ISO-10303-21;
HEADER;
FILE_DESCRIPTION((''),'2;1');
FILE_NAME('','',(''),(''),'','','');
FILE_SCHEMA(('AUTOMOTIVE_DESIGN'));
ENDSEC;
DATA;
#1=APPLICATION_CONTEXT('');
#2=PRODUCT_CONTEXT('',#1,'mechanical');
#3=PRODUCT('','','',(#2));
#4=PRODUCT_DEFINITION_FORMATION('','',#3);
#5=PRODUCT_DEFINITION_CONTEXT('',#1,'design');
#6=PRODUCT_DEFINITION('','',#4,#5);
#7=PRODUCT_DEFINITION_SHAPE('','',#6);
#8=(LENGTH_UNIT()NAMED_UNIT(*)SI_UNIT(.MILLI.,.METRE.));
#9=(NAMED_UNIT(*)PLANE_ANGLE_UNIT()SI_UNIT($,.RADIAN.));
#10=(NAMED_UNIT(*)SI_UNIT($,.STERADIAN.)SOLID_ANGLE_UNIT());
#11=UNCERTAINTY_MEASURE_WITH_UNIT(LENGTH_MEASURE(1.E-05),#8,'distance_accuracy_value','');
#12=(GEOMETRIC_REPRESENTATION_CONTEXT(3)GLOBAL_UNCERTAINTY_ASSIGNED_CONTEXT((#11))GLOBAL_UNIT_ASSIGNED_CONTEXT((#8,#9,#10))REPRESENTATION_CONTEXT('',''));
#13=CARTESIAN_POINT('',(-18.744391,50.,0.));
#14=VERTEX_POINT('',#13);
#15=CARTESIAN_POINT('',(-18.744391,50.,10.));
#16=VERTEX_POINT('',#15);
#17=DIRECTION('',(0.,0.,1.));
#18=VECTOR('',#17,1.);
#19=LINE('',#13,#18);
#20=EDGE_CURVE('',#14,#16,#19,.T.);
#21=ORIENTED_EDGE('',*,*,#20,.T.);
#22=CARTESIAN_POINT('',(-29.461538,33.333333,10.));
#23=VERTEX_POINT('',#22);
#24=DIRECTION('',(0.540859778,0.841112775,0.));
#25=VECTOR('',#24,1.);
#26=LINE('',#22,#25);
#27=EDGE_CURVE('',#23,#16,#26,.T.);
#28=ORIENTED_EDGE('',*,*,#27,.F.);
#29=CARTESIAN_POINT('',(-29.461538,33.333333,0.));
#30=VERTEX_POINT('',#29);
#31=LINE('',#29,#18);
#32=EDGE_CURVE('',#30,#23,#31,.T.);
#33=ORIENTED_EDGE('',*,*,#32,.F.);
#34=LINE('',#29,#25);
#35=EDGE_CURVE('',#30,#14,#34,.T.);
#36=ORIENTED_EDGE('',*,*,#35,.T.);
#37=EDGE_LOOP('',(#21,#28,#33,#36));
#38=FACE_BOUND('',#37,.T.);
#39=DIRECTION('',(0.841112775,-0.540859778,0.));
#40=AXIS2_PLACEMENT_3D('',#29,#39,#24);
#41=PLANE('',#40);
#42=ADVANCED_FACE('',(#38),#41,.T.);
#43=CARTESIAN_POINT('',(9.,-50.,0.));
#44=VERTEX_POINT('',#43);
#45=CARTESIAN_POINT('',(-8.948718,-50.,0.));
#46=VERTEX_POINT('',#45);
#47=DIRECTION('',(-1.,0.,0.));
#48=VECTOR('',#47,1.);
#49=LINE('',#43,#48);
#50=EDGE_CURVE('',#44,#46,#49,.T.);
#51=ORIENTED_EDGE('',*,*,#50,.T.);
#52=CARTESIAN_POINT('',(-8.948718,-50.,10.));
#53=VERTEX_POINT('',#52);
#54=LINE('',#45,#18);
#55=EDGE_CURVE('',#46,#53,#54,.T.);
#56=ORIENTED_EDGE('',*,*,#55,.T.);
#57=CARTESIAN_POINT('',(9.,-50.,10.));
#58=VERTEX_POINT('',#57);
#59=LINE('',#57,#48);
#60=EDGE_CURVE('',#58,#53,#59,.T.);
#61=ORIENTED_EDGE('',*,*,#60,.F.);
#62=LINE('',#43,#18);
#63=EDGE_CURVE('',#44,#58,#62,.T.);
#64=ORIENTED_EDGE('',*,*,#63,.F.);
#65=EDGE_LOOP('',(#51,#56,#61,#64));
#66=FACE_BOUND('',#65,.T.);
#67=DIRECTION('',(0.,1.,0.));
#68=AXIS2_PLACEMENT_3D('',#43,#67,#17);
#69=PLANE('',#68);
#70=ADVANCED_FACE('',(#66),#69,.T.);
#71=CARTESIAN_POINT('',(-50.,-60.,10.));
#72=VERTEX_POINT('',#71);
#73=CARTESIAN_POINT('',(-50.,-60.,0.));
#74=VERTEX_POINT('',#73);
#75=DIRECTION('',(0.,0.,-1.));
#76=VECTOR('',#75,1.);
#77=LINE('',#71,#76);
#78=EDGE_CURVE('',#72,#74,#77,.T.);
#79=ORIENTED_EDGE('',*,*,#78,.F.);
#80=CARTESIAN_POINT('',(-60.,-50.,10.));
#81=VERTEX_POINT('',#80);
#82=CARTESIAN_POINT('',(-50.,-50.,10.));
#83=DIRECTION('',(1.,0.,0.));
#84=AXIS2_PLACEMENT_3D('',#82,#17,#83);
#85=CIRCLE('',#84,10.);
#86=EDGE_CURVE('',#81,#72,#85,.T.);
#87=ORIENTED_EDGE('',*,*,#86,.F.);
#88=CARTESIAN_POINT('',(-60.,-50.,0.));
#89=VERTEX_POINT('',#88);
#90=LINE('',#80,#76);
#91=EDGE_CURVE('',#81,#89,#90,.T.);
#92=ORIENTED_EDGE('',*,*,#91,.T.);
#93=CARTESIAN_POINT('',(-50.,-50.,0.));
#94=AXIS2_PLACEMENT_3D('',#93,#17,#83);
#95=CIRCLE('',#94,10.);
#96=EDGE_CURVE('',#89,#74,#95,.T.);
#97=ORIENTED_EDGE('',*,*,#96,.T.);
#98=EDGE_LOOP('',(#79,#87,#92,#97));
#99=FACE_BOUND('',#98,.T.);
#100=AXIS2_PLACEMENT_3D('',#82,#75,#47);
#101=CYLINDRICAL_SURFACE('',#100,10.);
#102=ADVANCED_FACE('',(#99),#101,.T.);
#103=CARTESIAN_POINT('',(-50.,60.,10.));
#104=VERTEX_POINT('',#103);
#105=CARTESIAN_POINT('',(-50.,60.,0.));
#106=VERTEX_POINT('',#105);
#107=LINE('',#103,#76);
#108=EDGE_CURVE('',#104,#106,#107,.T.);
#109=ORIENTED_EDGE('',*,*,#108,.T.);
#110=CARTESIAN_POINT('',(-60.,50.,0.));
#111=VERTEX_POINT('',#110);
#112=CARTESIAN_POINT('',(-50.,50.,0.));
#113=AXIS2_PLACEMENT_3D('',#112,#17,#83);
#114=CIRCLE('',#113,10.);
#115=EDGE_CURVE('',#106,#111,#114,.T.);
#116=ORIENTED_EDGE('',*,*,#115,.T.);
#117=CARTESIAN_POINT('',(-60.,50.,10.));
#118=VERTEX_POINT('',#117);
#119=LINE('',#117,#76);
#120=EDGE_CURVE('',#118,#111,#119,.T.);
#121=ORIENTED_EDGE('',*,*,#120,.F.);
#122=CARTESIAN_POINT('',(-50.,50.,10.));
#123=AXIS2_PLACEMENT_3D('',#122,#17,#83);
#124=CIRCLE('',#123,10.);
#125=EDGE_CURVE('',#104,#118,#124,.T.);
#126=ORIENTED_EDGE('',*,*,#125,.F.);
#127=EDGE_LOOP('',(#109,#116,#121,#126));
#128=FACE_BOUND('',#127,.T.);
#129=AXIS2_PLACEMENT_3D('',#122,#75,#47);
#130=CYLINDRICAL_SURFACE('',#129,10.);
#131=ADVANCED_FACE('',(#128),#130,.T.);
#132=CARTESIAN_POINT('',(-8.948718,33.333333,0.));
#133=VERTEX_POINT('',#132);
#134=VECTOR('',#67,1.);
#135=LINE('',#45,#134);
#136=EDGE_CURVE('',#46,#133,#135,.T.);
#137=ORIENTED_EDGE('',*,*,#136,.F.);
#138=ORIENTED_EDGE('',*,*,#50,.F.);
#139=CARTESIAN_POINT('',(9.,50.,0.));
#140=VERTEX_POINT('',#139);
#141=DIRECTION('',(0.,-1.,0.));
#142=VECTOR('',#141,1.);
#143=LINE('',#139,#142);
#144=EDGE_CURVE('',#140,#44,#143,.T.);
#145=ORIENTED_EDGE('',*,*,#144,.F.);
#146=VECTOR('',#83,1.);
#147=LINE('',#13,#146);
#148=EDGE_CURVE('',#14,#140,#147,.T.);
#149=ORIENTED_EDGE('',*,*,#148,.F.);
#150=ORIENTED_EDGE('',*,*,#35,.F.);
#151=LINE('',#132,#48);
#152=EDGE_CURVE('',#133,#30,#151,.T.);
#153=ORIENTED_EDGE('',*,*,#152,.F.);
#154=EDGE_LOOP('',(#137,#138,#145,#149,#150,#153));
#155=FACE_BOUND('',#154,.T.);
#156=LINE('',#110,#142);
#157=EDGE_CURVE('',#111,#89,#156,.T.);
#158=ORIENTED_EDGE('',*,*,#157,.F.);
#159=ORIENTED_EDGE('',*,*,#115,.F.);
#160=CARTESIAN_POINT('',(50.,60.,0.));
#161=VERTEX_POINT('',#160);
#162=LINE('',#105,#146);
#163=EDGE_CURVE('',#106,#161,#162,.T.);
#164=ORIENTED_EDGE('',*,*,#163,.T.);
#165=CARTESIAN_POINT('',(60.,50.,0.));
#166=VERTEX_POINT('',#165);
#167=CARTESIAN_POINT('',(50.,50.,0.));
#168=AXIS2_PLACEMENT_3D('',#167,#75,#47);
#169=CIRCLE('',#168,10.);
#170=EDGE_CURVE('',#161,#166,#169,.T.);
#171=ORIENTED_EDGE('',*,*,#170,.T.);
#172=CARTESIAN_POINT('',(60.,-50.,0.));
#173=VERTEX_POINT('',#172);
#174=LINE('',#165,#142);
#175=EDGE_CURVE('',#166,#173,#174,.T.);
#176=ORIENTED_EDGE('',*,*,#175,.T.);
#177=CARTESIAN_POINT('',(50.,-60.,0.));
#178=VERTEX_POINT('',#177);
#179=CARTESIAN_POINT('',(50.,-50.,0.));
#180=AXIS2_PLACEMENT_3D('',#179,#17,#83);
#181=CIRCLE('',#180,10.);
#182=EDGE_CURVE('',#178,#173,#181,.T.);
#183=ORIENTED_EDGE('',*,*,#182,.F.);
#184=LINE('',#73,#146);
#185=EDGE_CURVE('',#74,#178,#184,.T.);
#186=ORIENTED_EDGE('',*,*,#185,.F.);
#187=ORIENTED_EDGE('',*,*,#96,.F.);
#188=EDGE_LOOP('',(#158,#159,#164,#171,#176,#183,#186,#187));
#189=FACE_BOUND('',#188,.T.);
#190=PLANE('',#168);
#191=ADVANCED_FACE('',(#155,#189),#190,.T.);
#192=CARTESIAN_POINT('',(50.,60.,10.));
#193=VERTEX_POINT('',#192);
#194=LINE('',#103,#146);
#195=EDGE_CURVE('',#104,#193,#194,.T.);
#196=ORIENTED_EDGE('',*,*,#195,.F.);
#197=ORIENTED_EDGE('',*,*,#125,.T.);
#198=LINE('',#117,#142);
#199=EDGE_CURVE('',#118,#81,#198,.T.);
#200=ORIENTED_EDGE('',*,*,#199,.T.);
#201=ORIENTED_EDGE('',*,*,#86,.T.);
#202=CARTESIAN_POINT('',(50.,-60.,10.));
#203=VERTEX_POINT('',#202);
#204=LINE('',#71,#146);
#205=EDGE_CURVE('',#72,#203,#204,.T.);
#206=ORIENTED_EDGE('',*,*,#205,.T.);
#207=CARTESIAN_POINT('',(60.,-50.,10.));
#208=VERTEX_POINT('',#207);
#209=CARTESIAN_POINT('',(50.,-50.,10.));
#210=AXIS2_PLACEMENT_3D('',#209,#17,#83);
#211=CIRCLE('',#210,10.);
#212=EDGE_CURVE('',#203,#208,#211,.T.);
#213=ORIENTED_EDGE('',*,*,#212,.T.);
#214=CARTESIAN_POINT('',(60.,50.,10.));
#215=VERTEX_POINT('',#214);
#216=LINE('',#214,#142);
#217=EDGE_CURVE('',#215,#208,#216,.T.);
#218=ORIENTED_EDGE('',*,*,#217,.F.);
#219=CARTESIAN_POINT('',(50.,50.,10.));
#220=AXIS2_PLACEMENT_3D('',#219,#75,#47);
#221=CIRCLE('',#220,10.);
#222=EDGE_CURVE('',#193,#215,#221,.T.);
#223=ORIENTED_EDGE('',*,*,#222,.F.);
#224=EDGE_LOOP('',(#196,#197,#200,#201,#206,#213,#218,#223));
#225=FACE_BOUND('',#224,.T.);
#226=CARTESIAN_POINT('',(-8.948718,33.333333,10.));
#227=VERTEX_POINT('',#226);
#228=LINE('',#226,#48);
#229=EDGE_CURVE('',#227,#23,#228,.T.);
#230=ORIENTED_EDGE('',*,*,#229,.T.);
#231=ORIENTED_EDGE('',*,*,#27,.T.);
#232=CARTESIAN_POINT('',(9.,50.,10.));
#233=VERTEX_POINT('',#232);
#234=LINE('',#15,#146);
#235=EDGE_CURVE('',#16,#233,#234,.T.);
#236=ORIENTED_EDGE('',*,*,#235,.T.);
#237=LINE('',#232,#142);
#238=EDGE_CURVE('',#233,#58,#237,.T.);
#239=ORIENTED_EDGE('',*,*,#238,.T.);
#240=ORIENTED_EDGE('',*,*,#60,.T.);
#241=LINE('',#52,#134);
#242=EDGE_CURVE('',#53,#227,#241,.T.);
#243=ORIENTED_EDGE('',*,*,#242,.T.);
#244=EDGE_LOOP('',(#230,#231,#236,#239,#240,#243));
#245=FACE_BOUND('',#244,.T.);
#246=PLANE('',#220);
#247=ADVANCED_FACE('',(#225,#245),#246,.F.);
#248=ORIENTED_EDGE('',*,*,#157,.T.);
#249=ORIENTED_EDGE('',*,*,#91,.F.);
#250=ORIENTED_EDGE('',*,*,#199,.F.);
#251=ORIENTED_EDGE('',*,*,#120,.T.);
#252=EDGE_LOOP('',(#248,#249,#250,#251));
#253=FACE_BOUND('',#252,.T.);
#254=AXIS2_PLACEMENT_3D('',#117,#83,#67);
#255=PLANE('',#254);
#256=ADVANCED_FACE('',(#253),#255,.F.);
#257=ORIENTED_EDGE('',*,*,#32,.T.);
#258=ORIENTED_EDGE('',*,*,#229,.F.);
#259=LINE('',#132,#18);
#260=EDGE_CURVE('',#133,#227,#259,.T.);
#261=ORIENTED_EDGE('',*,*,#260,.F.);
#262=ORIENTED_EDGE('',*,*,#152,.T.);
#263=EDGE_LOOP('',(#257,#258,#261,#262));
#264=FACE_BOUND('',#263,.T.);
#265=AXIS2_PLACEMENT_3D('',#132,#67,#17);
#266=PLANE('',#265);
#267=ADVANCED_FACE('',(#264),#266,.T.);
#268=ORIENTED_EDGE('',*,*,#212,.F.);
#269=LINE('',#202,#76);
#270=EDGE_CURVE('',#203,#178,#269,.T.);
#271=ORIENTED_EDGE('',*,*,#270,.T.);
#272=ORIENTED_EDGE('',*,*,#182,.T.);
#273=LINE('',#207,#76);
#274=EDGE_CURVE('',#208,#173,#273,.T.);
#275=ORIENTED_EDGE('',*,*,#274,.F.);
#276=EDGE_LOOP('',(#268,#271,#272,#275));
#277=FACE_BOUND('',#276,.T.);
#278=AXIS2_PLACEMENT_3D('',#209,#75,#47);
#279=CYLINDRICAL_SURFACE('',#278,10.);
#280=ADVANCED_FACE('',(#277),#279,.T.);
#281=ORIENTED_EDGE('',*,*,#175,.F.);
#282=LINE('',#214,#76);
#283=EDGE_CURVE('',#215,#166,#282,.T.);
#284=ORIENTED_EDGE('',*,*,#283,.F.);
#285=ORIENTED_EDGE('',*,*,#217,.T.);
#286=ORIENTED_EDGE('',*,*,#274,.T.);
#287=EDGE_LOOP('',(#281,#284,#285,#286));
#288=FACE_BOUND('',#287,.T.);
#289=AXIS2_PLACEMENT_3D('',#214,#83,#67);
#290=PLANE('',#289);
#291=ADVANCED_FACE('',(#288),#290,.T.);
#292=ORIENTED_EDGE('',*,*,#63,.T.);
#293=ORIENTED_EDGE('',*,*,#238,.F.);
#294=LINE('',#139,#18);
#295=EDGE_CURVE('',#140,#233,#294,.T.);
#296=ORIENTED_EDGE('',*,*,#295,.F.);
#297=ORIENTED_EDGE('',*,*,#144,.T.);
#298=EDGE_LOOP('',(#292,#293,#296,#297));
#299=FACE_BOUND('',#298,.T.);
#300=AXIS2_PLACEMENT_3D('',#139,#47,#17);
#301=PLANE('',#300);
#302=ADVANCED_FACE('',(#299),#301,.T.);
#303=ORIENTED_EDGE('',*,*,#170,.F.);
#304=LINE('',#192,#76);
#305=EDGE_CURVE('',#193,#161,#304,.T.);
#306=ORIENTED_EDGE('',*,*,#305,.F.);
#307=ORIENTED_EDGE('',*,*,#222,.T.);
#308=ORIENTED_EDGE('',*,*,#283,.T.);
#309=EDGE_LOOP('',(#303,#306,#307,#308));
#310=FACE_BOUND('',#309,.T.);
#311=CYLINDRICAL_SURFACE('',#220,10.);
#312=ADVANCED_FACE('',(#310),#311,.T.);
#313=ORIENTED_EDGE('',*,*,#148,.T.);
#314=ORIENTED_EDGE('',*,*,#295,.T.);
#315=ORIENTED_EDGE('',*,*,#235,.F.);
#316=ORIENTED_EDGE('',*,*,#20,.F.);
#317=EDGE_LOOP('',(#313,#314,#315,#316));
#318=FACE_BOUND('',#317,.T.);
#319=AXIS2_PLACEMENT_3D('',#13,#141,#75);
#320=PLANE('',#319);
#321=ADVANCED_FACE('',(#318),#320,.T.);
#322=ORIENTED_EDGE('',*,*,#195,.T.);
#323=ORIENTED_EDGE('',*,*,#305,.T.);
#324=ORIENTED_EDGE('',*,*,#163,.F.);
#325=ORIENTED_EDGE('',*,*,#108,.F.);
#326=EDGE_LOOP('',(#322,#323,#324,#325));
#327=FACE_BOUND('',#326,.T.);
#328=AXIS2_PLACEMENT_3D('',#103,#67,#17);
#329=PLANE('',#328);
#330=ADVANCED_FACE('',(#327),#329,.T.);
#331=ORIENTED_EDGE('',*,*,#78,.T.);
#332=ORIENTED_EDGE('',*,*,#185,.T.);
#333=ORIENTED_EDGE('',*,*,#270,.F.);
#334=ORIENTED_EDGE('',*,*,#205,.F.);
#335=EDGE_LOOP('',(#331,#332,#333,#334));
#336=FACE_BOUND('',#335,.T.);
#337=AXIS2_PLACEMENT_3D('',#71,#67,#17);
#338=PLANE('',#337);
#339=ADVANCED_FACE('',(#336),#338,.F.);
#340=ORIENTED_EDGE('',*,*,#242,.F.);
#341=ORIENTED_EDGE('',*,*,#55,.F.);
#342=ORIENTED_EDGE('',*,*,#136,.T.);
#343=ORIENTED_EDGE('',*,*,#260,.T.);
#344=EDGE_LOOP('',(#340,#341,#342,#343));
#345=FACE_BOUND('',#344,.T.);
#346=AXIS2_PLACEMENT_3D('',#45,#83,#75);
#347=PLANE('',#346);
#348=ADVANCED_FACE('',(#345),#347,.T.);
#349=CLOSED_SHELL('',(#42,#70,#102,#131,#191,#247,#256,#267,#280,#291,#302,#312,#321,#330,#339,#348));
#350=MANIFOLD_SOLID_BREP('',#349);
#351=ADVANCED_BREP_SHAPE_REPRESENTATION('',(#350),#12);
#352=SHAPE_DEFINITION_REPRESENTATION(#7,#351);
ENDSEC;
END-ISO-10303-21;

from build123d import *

# Parameters (mm, degrees)
BOSS_EXTRUDE1_DEPTH = 10
CUT_EXTRUDE2_DEPTH  = 10


with BuildPart() as part:
    # Sketch1 → Boss-Extrude1 (new body)
    with BuildSketch(Plane.XY):
        with BuildLine():
            Line((-50, 60), (50, 60))
            ThreePointArc((50, 60), (57.071067812, 57.071067812), (60, 50))
            Line((60, 50), (60, -50))
            ThreePointArc((60, -50), (57.071067812, -57.071067812), (50, -60))
            Line((50, -60), (-50, -60))
            ThreePointArc((-50, -60), (-57.071067812, -57.071067812), (-60, -50))
            Line((-60, -50), (-60, 50))
            ThreePointArc((-60, 50), (-57.071067812, 57.071067812), (-50, 60))
        make_face()
    extrude(amount=BOSS_EXTRUDE1_DEPTH)

    # Sketch2 → Cut-Extrude2 (cut)
    with BuildSketch(Plane.XY.offset(10)):
        Polygon((-18.744391026, 50), (9, 50), (9, -50), (-8.948717949, -50), (-8.948717949, 33.333333333), (-29.461538462, 33.333333333), align=None)
    extrude(amount=-CUT_EXTRUDE2_DEPTH, mode=Mode.SUBTRACT)


solid = part.part
